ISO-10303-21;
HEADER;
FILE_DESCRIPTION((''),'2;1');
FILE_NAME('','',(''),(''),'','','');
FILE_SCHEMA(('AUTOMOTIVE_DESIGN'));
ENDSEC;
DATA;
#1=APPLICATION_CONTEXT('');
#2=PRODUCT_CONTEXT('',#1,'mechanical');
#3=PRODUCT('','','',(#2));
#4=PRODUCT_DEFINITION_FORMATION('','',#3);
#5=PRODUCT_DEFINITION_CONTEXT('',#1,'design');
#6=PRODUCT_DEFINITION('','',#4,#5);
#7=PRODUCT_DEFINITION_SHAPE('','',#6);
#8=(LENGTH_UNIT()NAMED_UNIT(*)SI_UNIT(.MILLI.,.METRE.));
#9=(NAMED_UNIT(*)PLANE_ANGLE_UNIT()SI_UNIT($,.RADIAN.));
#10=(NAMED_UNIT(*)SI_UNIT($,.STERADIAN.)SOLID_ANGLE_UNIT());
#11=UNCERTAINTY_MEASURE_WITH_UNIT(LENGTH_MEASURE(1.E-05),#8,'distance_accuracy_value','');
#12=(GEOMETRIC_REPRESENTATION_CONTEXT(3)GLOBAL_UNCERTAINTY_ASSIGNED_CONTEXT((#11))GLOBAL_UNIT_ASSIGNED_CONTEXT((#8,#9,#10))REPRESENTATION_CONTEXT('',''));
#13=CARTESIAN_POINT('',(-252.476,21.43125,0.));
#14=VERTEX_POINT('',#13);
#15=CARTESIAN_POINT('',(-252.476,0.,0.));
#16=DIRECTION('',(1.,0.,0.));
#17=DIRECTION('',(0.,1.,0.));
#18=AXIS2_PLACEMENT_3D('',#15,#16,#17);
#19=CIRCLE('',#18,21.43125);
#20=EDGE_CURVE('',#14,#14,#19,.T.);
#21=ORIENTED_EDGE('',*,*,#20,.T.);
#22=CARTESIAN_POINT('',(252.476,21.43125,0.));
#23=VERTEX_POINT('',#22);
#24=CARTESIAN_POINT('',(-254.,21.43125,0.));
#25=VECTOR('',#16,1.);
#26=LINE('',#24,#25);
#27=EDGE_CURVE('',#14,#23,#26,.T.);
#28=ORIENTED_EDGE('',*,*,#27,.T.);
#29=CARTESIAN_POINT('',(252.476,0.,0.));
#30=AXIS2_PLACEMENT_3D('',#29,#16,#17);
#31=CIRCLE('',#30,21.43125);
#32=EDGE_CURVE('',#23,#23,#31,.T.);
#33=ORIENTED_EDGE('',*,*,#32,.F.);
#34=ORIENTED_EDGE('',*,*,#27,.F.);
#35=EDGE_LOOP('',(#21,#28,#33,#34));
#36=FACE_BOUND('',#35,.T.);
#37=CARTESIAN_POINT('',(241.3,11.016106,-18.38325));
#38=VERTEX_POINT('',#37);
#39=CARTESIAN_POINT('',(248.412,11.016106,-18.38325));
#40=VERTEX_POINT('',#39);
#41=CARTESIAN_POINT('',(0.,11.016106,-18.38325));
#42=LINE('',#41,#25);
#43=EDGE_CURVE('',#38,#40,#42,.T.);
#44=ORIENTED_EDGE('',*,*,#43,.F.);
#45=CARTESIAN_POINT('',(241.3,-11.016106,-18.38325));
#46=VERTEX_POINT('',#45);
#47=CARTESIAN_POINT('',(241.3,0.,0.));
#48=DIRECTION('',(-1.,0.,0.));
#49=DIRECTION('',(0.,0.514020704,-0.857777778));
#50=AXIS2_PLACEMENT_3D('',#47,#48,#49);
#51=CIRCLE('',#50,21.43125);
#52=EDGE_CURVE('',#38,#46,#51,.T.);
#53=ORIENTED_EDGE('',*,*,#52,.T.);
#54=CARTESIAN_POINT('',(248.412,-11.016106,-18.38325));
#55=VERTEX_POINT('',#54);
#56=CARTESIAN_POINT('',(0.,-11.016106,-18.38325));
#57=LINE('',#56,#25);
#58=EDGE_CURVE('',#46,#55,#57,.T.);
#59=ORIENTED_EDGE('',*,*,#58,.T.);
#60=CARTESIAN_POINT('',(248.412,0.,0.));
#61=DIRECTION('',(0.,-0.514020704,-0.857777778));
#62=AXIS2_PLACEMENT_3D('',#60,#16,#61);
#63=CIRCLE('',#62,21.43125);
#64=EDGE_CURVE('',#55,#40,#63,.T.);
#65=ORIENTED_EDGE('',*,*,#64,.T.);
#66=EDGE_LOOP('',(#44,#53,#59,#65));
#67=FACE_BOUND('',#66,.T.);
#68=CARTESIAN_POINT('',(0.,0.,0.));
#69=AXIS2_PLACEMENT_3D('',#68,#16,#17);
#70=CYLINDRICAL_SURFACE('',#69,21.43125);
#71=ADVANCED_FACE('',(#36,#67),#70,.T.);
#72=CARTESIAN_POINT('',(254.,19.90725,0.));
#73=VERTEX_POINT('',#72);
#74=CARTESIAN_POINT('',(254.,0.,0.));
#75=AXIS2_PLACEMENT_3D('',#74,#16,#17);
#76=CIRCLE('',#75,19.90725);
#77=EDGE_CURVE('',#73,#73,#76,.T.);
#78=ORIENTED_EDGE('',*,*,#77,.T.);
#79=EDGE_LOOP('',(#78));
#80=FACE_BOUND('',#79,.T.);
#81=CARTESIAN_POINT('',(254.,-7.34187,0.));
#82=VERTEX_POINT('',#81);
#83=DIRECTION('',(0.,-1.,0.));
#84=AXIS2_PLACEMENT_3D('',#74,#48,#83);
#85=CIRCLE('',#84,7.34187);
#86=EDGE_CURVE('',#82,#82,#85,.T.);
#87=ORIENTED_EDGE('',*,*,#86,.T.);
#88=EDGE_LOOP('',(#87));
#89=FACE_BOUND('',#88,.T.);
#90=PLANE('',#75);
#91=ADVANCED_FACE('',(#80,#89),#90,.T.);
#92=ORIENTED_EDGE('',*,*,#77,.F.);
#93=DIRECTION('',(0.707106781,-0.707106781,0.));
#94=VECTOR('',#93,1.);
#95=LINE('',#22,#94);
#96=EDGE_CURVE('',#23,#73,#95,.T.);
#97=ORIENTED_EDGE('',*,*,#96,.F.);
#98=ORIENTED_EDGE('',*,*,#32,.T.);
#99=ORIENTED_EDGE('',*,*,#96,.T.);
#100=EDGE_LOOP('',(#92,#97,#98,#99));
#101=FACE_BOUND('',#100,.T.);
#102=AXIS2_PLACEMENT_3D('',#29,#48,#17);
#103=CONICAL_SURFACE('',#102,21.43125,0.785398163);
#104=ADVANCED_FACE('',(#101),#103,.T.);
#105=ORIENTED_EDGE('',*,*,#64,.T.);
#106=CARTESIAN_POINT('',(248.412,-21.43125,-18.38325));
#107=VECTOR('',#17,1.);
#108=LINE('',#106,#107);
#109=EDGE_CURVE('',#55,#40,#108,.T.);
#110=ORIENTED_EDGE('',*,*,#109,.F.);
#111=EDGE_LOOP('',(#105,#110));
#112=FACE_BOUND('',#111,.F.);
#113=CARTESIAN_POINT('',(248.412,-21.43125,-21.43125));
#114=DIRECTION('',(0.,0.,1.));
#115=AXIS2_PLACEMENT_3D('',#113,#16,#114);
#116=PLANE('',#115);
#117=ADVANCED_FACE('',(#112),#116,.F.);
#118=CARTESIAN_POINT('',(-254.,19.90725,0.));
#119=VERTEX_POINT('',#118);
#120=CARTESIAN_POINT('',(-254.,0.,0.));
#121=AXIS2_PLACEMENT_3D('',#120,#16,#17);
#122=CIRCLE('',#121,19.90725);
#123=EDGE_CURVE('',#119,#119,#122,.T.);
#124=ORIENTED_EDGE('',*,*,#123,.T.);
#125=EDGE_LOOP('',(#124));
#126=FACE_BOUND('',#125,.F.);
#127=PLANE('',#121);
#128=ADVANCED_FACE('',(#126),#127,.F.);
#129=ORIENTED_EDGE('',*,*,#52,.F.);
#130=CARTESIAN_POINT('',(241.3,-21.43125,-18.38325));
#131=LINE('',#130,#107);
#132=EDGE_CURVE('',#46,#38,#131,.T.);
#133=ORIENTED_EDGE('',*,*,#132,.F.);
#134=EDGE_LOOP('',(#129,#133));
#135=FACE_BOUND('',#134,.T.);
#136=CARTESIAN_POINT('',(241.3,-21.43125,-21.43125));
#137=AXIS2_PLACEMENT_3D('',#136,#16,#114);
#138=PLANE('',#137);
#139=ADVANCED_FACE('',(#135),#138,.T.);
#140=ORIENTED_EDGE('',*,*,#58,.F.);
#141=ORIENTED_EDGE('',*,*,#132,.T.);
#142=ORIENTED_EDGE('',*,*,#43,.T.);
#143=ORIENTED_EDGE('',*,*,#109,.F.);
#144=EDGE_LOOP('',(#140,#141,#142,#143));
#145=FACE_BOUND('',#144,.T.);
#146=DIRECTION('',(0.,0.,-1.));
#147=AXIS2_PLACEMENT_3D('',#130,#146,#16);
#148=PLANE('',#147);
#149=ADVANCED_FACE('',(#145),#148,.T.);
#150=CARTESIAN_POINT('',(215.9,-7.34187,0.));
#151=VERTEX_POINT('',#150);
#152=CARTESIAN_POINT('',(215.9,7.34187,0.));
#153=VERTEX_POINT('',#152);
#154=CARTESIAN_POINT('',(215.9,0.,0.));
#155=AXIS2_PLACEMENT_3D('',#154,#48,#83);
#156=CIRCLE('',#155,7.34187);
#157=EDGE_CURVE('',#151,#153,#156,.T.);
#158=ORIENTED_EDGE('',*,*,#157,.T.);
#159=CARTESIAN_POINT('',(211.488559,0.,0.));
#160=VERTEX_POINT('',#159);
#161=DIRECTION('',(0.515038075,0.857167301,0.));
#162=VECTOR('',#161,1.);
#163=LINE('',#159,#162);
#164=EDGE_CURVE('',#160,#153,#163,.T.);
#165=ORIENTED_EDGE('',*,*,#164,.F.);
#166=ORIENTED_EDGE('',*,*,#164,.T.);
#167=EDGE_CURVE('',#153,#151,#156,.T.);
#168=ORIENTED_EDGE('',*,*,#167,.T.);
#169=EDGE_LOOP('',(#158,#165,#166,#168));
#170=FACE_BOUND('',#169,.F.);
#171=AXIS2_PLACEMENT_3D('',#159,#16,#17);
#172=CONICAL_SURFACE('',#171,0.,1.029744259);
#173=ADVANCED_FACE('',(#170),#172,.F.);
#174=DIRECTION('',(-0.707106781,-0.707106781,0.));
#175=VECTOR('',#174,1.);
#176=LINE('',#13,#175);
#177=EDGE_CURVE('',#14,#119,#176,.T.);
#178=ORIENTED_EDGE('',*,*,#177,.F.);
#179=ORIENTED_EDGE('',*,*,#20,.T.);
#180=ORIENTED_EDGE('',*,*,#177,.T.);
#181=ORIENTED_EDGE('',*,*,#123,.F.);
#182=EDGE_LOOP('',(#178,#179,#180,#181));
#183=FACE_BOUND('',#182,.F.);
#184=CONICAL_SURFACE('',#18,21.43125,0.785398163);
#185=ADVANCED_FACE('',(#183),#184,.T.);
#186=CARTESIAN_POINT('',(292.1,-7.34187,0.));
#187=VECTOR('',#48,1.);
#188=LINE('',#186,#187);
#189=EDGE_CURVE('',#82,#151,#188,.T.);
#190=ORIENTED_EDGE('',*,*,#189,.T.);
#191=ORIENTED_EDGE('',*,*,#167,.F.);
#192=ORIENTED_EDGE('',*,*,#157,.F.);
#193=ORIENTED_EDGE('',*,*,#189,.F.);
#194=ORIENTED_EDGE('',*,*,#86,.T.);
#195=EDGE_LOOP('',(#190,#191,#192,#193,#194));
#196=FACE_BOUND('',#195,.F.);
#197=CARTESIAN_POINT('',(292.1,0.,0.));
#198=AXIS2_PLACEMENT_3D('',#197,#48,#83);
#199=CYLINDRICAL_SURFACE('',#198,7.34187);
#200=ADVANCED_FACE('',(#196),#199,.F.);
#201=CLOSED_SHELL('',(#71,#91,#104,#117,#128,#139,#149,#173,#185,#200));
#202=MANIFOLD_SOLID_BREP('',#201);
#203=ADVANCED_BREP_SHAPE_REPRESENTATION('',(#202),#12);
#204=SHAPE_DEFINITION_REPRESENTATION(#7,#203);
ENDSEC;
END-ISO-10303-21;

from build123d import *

# Parameters (mm, degrees)
F0_R     = 21.43125
F1_DEPTH = 254
F2_SIZE  = 1.524
F4_D     = 14.68374
F4_DEPTH = 38.1
F4_TIP   = 4.411440553
F6_W     = 7.112
F6_H     = 3.048
F7_DEPTH = 42.8635


with BuildPart() as f1:
    # F0 (on Right) → F1 (new body, symmetric)
    with BuildSketch(Plane.YZ):
        Circle(F0_R)
    extrude(amount=F1_DEPTH, both=True)

    # F2
    f2_edges = [f1.edges().sort_by_distance(p)[0] for p in [
        (254, -21.43125, 0),
        (-254, -21.43125, 0),
    ]]
    chamfer(f2_edges, length=F2_SIZE)

    # F4
    with Locations(Plane.YZ.offset(254)):
        with Locations((0, 0)):
            Hole(F4_D / 2, depth=F4_DEPTH)
            with Locations((0, 0, -(F4_DEPTH + F4_TIP / 2))):  # 118° drill point
                Cone(0, F4_D / 2, F4_TIP, mode=Mode.SUBTRACT)

    # F6 (on offset) → F7 (cut, through all)
    with BuildSketch(Plane.XZ.offset(21.43125)):
        with Locations((244.856, -19.90725)):
            Rectangle(F6_W, F6_H)
    extrude(amount=-F7_DEPTH, mode=Mode.SUBTRACT)


solid = f1.part
